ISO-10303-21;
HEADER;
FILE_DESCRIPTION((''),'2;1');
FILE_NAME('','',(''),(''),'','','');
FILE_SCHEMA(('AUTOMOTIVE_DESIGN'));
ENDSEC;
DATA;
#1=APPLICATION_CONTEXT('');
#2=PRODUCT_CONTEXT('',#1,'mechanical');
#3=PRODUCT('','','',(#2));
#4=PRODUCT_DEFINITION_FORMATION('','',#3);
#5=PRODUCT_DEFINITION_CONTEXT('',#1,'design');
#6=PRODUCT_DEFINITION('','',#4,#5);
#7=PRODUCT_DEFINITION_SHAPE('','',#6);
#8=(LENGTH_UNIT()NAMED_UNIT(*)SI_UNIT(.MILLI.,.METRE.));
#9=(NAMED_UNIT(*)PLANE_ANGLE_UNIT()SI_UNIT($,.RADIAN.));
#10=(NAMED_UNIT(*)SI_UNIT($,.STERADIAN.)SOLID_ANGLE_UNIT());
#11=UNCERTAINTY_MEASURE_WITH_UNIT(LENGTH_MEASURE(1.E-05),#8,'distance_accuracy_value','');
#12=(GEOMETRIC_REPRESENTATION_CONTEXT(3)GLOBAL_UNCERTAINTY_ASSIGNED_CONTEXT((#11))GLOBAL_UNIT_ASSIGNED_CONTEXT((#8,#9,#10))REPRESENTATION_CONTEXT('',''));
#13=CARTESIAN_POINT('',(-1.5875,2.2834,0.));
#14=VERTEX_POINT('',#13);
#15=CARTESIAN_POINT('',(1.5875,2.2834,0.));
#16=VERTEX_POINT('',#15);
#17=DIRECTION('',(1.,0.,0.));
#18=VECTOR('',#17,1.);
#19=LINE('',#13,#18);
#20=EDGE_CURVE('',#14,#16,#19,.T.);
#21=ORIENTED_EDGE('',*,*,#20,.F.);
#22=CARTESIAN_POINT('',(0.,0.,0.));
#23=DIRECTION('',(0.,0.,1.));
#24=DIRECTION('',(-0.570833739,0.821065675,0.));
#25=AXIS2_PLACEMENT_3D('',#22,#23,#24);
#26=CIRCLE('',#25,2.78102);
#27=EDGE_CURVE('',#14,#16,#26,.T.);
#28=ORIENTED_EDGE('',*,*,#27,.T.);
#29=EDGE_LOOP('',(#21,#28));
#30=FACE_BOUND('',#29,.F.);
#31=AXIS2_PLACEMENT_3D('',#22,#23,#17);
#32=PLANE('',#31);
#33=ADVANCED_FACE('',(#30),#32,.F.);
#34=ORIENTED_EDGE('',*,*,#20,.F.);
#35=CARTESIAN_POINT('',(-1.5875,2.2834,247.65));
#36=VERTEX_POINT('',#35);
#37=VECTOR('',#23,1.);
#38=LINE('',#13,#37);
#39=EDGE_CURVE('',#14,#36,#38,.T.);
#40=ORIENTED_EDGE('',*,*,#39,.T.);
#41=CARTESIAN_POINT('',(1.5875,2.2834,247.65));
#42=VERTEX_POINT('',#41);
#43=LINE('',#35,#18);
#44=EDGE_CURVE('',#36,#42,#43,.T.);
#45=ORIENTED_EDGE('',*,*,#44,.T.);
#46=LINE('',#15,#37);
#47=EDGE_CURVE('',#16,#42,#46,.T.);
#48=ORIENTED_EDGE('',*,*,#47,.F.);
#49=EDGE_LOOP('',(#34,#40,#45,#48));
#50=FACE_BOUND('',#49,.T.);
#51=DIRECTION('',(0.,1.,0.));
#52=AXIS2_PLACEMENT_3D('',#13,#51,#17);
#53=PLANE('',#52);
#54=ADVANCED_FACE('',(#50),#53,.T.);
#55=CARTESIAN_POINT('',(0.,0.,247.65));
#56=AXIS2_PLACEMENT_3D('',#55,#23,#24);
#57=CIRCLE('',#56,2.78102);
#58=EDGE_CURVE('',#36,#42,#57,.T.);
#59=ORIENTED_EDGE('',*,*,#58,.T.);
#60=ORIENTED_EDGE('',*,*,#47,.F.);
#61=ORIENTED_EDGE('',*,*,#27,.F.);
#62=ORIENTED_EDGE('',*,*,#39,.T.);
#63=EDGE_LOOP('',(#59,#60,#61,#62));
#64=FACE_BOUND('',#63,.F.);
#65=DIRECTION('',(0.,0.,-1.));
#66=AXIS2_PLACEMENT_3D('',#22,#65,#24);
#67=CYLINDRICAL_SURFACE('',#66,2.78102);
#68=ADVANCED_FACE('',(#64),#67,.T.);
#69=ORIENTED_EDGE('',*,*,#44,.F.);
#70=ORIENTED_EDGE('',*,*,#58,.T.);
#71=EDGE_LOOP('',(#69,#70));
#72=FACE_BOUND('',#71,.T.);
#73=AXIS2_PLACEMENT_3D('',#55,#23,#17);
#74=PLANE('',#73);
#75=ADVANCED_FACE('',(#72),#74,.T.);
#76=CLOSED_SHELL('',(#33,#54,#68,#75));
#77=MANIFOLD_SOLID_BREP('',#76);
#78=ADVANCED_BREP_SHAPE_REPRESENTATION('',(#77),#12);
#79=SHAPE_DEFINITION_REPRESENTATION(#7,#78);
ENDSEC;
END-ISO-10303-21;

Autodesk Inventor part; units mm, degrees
ref_plane "YZ Plane" through (0, 0, 0) normal (1, 0, 0) x (0, 1, 0)
ref_plane "XZ Plane" through (0, 0, 0) normal (0, 1, 0) x (-1, 0, 0)
ref_plane "XY Plane" through (0, 0, 0) normal (0, 0, 1) x (1, 0, 0)
sketch "Sketch1" plane through (0, 0, 0) normal (0, 0, 1) x (1, 0, 0)
  arc A0 (-1.5875, 2.2834) -> (1.5875, 2.2834) centre (0, 0) ccw
  line L0 (-1.5875, 2.2834) -> (1.5875, 2.2834)
  dimension "d0" = 3.175
extrude "Extrusion1" add sketch "Sketch1" along normal blind 247.65
properties part number "axle"
